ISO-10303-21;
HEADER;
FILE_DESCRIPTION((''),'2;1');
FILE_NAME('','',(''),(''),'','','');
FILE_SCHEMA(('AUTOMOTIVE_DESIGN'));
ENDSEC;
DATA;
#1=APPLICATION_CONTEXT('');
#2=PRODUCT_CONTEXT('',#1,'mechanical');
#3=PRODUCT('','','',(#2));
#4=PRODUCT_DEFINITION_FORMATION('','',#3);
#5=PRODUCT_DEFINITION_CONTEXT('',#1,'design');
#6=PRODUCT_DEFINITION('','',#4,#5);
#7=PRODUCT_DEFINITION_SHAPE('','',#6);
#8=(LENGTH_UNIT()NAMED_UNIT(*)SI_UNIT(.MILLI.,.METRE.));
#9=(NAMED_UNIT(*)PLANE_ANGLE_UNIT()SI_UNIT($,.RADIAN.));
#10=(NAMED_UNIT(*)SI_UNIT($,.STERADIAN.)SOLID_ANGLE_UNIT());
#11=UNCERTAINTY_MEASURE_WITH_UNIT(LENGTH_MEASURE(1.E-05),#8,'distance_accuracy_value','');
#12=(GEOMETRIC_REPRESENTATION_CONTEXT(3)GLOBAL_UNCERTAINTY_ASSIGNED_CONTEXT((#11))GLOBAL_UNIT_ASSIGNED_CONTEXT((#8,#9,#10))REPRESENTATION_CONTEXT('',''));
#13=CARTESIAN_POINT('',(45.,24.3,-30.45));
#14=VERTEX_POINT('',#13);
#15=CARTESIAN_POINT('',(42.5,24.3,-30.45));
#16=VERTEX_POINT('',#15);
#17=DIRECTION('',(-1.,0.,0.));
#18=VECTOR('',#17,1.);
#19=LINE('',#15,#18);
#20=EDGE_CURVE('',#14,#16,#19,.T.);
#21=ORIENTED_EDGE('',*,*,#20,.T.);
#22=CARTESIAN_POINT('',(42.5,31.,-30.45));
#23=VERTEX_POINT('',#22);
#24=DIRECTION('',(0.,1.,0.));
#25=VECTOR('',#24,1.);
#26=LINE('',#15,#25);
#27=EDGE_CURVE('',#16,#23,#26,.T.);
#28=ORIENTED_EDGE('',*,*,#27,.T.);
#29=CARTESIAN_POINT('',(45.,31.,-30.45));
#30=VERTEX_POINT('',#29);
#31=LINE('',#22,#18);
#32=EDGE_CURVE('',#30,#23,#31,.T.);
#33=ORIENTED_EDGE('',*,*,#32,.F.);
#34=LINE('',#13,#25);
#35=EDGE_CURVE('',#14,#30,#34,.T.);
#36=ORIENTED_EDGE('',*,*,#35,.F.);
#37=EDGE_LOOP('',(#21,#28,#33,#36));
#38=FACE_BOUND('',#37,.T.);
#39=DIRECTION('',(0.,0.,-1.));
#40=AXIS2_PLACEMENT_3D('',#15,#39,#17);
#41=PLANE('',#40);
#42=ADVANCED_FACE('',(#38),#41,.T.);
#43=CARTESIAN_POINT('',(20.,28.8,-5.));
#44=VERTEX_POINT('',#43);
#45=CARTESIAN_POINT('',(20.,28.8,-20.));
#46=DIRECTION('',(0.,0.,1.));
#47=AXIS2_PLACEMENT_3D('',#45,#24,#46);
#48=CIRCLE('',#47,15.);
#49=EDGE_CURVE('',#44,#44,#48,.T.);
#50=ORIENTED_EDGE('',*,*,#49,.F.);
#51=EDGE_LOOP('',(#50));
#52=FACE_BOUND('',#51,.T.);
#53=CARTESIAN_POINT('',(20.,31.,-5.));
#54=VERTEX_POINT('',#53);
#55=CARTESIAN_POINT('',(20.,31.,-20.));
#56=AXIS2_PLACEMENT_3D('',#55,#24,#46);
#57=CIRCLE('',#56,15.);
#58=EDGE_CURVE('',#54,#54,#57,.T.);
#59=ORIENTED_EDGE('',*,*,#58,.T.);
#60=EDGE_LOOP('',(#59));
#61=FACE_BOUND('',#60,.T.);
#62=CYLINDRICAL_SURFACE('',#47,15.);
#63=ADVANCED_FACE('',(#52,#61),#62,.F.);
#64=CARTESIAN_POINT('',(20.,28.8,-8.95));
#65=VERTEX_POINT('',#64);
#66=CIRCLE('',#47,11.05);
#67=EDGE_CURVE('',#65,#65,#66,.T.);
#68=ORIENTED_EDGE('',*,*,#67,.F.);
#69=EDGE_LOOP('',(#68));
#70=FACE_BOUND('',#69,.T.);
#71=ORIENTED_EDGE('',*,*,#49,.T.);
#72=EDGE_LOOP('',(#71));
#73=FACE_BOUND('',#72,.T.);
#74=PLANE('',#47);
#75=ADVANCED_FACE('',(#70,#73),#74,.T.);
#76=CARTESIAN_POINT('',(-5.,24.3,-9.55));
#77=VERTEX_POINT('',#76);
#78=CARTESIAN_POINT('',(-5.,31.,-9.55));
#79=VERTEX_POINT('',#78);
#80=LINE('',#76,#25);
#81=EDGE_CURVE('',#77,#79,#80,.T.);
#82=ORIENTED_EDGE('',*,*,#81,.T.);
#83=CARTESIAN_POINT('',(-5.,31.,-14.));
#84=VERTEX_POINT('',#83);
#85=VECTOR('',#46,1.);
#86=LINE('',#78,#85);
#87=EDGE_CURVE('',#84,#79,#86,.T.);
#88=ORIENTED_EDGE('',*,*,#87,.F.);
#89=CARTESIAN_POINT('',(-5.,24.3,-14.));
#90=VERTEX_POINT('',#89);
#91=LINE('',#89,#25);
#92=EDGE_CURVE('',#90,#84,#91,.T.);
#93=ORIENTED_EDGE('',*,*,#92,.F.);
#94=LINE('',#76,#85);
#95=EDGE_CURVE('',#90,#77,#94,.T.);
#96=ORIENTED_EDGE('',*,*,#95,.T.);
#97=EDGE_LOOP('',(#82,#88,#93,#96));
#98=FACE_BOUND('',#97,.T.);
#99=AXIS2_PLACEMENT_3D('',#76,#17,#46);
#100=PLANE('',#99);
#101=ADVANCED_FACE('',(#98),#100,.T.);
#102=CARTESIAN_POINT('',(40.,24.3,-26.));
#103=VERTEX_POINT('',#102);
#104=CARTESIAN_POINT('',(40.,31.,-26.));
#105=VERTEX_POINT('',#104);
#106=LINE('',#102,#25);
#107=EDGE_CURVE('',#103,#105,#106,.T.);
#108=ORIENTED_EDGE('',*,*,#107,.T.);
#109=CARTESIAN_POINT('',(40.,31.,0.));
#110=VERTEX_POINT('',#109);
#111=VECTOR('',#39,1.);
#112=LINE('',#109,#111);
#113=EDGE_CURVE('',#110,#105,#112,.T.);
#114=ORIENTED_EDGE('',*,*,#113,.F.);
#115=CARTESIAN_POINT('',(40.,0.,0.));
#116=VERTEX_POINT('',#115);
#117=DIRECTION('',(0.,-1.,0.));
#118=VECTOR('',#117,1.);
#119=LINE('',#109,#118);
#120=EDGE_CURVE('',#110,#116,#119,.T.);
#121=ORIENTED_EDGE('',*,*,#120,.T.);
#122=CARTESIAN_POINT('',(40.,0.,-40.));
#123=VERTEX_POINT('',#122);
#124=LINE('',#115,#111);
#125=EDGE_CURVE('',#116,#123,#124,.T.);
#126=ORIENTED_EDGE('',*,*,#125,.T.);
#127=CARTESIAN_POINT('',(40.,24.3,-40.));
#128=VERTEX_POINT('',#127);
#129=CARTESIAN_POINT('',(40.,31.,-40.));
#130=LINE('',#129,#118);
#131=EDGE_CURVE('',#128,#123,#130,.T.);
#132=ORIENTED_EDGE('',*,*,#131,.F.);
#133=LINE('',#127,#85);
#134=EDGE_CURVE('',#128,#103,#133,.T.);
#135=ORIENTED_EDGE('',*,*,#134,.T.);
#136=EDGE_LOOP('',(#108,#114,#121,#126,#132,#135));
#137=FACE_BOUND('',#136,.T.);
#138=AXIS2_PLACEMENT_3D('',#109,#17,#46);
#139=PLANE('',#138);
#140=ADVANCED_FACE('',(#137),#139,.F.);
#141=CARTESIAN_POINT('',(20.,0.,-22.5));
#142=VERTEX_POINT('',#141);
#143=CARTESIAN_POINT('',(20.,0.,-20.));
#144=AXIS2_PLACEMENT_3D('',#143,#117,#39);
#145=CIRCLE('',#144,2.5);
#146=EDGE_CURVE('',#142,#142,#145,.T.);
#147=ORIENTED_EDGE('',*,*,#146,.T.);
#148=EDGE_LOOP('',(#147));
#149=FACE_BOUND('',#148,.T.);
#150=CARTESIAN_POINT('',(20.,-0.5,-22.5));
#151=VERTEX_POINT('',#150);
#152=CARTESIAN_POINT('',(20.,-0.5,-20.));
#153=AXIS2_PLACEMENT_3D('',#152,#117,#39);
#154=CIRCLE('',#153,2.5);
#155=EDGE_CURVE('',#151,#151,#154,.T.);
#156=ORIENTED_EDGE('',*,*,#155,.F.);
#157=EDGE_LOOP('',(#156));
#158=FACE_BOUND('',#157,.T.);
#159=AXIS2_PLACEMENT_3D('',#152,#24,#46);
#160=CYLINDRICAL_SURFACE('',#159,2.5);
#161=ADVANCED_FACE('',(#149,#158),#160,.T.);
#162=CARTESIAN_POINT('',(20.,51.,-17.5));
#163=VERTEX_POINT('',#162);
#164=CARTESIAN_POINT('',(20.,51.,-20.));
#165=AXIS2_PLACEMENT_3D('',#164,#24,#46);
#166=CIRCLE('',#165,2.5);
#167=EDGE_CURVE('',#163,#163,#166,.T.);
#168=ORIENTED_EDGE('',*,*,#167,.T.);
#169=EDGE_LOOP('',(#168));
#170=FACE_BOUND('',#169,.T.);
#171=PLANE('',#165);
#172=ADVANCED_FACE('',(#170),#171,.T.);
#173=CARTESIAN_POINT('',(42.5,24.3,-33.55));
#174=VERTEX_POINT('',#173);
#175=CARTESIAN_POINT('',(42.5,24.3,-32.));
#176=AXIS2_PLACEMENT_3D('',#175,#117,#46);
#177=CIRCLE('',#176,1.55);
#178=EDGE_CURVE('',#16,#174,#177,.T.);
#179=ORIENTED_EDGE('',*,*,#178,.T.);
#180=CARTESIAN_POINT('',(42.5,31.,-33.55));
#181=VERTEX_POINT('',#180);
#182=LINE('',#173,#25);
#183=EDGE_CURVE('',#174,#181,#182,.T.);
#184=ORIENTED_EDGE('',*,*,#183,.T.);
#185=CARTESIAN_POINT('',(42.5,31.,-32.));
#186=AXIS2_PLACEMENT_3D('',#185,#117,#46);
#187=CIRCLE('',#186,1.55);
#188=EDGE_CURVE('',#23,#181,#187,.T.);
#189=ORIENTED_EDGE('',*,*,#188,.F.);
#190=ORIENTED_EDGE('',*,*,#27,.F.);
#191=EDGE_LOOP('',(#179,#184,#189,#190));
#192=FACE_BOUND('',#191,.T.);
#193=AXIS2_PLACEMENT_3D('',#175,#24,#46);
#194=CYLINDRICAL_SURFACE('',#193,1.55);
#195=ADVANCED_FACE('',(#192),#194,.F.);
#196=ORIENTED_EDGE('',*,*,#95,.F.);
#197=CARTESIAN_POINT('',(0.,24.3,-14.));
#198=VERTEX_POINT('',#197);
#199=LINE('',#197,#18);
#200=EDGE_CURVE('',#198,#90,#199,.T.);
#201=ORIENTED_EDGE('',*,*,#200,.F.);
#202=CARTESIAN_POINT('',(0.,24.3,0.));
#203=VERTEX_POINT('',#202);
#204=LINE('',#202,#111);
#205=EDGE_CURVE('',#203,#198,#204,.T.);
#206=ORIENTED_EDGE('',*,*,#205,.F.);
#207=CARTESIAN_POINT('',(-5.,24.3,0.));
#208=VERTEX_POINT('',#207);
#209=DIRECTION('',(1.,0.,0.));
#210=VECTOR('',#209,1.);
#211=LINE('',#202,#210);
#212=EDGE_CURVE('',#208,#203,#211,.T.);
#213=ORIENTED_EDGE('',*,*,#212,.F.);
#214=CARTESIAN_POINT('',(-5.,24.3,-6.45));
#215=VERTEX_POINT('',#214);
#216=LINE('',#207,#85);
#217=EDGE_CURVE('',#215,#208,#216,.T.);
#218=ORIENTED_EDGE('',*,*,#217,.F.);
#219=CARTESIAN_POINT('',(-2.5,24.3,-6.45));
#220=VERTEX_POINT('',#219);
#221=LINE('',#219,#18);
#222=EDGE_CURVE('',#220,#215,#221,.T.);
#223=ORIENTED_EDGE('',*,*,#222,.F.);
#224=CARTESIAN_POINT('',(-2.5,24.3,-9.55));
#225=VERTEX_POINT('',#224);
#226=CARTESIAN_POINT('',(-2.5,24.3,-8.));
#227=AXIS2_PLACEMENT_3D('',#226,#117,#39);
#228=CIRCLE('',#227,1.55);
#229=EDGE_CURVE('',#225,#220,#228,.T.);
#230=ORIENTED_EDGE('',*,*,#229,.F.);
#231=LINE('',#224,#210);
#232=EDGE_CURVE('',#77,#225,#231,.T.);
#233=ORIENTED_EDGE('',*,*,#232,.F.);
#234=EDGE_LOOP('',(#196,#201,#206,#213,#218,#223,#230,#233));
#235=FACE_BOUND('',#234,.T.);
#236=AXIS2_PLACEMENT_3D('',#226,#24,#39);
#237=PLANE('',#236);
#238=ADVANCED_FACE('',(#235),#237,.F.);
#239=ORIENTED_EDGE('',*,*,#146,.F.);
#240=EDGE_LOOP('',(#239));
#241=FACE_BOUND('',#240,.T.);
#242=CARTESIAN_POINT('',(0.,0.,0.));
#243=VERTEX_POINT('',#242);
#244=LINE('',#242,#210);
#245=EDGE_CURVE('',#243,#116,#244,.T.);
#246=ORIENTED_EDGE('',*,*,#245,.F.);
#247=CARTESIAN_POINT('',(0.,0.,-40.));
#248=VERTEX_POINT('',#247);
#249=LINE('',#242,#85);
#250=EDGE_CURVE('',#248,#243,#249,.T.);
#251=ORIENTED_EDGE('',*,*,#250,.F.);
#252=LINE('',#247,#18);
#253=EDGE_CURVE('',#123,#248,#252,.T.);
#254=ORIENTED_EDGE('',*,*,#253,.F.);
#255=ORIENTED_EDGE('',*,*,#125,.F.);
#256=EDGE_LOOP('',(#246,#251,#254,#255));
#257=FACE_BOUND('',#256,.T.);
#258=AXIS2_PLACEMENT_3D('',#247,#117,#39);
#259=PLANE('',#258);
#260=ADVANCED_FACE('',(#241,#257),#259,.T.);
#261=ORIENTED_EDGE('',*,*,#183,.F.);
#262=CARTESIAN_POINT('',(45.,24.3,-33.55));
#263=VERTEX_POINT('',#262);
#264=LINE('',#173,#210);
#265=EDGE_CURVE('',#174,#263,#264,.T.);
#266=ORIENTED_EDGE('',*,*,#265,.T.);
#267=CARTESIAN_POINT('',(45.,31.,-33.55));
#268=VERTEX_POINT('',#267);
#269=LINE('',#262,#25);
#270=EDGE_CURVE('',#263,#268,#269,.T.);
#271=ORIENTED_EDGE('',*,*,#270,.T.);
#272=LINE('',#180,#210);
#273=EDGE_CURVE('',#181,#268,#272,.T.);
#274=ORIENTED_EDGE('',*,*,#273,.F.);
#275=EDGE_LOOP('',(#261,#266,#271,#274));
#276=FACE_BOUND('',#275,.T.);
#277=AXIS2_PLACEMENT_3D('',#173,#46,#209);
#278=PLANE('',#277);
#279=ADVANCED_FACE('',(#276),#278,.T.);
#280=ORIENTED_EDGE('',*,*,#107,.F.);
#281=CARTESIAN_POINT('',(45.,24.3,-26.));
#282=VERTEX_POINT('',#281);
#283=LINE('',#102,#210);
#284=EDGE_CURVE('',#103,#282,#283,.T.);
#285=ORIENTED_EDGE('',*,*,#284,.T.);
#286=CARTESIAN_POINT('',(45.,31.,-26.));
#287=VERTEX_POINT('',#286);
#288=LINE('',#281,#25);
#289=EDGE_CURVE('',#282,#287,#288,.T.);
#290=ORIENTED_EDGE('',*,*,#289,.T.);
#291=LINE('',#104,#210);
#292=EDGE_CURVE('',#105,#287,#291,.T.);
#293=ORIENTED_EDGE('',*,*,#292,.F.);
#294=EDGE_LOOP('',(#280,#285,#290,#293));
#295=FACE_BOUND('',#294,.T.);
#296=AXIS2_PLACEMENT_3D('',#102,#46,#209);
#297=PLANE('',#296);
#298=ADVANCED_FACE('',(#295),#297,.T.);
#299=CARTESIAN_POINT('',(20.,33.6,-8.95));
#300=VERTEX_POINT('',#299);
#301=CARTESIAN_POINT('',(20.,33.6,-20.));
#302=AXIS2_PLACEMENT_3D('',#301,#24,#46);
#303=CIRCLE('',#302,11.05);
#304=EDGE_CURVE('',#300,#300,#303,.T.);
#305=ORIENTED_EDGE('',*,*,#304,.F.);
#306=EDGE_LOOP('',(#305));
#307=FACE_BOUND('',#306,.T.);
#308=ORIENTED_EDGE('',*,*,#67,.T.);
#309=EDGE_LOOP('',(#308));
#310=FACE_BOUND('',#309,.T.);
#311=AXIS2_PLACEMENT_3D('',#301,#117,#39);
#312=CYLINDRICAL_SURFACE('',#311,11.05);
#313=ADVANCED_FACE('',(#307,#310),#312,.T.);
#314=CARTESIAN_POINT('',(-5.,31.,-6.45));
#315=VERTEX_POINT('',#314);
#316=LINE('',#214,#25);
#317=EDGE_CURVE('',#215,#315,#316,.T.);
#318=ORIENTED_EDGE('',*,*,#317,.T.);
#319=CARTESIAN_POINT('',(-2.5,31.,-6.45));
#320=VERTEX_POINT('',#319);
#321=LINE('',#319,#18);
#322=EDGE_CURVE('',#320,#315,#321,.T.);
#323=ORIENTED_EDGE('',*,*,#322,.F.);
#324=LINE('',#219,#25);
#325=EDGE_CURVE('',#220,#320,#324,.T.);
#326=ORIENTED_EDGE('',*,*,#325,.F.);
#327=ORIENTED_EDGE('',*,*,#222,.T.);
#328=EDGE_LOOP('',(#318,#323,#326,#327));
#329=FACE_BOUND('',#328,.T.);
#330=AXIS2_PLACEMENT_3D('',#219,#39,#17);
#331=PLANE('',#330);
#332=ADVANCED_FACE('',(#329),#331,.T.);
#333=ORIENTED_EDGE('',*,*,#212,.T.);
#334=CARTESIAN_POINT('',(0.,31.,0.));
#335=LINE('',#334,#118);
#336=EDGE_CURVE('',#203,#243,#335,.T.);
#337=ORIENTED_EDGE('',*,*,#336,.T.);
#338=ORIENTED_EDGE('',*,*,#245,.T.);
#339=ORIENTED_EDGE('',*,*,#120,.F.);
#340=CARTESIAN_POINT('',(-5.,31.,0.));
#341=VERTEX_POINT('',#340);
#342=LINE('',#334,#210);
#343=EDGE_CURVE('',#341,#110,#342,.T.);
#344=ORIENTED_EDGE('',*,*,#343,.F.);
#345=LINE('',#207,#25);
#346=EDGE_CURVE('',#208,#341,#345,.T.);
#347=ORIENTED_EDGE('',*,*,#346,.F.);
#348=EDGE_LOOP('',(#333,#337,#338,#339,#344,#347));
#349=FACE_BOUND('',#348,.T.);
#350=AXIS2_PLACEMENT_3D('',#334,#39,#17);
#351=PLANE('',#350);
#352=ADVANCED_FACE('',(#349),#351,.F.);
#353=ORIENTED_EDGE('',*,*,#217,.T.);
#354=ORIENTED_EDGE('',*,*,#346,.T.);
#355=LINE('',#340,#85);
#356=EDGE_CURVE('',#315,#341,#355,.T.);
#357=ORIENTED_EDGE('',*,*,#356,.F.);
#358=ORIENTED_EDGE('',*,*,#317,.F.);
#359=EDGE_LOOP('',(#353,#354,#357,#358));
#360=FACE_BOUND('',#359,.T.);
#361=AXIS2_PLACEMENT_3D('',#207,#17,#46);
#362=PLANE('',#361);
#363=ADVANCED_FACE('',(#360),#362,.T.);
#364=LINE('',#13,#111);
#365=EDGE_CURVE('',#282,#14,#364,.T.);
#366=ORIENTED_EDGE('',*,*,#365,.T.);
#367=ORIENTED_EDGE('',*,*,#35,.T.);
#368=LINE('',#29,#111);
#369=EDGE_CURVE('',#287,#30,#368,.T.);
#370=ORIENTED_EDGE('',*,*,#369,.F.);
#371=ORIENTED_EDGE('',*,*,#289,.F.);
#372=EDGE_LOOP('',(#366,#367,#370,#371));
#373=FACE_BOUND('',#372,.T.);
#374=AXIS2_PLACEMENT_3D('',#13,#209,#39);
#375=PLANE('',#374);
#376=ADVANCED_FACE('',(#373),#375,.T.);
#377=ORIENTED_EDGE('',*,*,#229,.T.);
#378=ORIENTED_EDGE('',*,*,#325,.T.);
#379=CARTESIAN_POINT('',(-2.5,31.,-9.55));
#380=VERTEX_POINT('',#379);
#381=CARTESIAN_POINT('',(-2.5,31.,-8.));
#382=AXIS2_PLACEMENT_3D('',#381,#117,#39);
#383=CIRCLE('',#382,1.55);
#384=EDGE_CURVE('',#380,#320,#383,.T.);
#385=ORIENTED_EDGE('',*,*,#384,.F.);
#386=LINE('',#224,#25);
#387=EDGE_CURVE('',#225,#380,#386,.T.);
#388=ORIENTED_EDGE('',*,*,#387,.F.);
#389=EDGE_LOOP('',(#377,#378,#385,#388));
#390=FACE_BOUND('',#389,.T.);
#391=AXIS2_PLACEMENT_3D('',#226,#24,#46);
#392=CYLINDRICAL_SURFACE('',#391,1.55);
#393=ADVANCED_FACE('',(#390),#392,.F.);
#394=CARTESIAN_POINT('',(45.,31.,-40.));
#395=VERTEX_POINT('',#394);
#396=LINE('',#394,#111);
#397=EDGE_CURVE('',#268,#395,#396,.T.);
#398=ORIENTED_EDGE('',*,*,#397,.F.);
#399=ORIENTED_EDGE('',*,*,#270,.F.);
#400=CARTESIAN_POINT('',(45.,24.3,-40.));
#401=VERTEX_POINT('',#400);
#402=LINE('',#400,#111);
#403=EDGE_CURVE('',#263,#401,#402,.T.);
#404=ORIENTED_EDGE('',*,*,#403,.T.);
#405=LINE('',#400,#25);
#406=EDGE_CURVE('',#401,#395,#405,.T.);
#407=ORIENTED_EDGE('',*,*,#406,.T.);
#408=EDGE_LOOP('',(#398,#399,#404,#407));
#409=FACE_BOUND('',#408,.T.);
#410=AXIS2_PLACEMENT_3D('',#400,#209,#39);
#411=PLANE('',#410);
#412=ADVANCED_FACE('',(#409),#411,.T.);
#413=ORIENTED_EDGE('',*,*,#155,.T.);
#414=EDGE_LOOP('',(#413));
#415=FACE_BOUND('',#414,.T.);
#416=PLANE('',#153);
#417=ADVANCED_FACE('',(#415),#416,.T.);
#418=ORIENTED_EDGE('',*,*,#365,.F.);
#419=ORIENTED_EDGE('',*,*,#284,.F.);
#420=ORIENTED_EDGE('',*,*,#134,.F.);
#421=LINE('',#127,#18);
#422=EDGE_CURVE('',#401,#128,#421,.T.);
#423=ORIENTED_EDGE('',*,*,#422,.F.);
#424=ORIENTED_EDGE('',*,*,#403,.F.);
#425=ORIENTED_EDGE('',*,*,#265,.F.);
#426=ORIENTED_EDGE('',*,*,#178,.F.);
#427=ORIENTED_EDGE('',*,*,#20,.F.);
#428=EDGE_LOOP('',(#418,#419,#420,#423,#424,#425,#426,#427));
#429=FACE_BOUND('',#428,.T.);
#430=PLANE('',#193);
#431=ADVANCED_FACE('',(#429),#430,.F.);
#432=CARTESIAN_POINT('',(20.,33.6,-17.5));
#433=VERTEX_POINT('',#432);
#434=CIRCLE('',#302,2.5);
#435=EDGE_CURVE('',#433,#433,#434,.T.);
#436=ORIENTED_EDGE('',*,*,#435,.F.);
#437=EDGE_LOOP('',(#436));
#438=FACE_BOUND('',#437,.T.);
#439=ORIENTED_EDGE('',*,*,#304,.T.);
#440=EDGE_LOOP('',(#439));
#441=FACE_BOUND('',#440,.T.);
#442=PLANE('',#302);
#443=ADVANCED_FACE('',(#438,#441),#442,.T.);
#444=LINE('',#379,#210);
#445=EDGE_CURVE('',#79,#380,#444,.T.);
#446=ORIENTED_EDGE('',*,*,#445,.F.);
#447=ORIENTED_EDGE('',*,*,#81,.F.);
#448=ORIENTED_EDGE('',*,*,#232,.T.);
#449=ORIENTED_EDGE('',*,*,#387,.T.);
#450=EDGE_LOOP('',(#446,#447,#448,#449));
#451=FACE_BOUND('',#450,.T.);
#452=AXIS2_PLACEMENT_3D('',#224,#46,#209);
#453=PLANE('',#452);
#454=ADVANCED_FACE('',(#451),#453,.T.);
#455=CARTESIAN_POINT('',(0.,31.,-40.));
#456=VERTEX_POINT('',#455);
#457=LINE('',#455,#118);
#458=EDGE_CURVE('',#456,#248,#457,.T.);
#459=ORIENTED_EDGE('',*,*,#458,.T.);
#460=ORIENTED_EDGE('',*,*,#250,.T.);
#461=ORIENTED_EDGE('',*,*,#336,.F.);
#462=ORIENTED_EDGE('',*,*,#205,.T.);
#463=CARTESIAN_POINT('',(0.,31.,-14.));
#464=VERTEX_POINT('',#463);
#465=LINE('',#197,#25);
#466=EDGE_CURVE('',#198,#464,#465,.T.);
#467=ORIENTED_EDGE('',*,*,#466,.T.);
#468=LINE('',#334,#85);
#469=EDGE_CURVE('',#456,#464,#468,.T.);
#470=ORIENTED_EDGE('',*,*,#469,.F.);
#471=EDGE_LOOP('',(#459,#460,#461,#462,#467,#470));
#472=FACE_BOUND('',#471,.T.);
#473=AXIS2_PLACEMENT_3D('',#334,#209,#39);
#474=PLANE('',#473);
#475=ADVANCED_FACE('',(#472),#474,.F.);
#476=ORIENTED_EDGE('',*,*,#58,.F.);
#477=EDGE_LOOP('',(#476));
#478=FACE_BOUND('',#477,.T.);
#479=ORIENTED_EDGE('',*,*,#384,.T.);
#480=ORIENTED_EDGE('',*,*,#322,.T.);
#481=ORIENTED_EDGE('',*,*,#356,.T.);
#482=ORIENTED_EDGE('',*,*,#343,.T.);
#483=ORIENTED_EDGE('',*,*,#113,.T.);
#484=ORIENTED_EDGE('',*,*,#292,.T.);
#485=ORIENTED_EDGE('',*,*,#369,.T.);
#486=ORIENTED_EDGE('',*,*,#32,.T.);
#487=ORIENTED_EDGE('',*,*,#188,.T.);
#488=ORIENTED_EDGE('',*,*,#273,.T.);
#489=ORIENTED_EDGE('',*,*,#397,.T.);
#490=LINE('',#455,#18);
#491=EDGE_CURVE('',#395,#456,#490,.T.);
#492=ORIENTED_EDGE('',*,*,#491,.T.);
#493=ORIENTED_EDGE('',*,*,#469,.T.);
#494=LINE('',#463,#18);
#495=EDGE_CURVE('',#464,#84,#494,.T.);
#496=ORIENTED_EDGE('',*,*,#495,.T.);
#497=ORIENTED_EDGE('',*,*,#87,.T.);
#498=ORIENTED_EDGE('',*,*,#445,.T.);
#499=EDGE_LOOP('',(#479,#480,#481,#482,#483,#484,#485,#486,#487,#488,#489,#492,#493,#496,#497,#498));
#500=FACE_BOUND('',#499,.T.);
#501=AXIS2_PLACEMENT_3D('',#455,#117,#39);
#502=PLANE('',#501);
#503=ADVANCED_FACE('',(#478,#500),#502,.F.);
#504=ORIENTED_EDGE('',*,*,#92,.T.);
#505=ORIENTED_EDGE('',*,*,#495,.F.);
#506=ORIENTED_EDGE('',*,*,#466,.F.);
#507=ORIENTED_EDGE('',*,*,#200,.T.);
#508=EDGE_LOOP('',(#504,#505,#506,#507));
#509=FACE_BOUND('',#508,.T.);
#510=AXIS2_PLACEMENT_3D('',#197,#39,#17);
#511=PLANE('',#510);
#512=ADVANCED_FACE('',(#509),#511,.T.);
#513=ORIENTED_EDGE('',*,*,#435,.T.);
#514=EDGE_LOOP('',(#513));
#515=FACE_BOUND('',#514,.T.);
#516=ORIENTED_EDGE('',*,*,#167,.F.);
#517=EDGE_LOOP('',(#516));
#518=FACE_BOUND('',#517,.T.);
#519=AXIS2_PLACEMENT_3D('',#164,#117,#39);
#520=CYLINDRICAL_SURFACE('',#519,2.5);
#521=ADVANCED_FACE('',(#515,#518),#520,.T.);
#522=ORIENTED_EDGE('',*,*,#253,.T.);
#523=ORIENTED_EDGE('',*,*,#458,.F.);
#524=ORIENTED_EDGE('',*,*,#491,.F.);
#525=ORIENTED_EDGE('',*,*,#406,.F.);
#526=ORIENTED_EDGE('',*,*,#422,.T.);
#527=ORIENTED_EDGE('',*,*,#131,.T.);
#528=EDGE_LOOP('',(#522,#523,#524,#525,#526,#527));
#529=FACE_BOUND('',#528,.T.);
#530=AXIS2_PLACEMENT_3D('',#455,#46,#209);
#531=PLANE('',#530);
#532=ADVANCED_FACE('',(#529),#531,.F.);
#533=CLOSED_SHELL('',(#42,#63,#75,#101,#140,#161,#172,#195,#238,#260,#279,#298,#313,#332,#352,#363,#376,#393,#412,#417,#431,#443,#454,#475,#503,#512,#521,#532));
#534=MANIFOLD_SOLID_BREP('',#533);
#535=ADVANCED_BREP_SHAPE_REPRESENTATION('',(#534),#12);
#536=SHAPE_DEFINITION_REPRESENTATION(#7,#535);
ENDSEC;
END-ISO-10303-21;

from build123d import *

# Parameters (mm, degrees)
SKETCH1_W           = 40
SKETCH1_H           = 40
BOSS_EXTRUDE1_DEPTH = 31
SKETCH2_R           = 15
CUT_EXTRUDE1_DEPTH  = 2.2
SKETCH3_R           = 11.05
BOSS_EXTRUDE2_DEPTH = 4.8
SKETCH4_R           = 2.5
BOSS_EXTRUDE3_DEPTH = 17.4
BOSS_EXTRUDE4_DEPTH = 6.7
CIRPATTERN1_COUNT   = 2
BOSS_EXTRUDE5_START = 0.5
SKETCH6_R           = 2.5
BOSS_EXTRUDE5_DEPTH = 0.5


with BuildPart() as part:
    # Sketch1 → Boss-Extrude1 (new body)
    with BuildSketch(Plane(origin=(0, 0, 0), x_dir=(1, 0, 0), z_dir=(0, 1, 0))):
        with Locations((20, 20)):
            Rectangle(SKETCH1_W, SKETCH1_H)
    extrude(amount=BOSS_EXTRUDE1_DEPTH)

    # Sketch2 → Cut-Extrude1 (cut)
    with BuildSketch(Plane(origin=(0, 31, 0), x_dir=(1, 0, 0), z_dir=(0, 1, 0))):
        with Locations((20, 20)):
            Circle(SKETCH2_R)
    extrude(amount=-CUT_EXTRUDE1_DEPTH, mode=Mode.SUBTRACT)

    # Sketch3 → Boss-Extrude2 (add)
    with BuildSketch(Plane(origin=(0, 28.8, 0), x_dir=(1, 0, 0), z_dir=(0, 1, 0))):
        with Locations((20, 20)):
            Circle(SKETCH3_R)
    extrude(amount=BOSS_EXTRUDE2_DEPTH)

    # Sketch4 → Boss-Extrude3 (add)
    with BuildSketch(Plane(origin=(0, 33.6, 0), x_dir=(1, 0, 0), z_dir=(0, 1, 0))):
        with Locations((20, 20)):
            Circle(SKETCH4_R)
    extrude(amount=BOSS_EXTRUDE3_DEPTH)

    # Sketch5 → Boss-Extrude4 (add)
    with BuildSketch(Plane(origin=(0, 31, 0), x_dir=(1, 0, 0), z_dir=(0, 1, 0))):
        with BuildLine():
            Line((40, 40), (45, 40))
            Line((45, 40), (45, 33.55))
            Line((45, 33.55), (42.5, 33.55))
            ThreePointArc((42.5, 33.55), (40.95, 32), (42.5, 30.45))
            Line((42.5, 30.45), (45, 30.45))
            Line((45, 30.45), (45, 26))
            Line((45, 26), (40, 26))
            Line((40, 26), (40, 40))
        make_face()
    boss_extrude4 = extrude(amount=-BOSS_EXTRUDE4_DEPTH)

    # CirPattern1: Boss-Extrude4 ×2 about axis
    cirpattern1_axis = Axis((20, 51, -20), (0, -1, 0))
    for i in range(1, CIRPATTERN1_COUNT):
        add(boss_extrude4.rotate(cirpattern1_axis, i * 360 / CIRPATTERN1_COUNT))

    # Sketch6 → Boss-Extrude5 (add)
    with BuildSketch(Plane.XZ.offset(BOSS_EXTRUDE5_START)):
        with Locations((20, -20)):
            Circle(SKETCH6_R)
    extrude(amount=-BOSS_EXTRUDE5_DEPTH)


solid = part.part
